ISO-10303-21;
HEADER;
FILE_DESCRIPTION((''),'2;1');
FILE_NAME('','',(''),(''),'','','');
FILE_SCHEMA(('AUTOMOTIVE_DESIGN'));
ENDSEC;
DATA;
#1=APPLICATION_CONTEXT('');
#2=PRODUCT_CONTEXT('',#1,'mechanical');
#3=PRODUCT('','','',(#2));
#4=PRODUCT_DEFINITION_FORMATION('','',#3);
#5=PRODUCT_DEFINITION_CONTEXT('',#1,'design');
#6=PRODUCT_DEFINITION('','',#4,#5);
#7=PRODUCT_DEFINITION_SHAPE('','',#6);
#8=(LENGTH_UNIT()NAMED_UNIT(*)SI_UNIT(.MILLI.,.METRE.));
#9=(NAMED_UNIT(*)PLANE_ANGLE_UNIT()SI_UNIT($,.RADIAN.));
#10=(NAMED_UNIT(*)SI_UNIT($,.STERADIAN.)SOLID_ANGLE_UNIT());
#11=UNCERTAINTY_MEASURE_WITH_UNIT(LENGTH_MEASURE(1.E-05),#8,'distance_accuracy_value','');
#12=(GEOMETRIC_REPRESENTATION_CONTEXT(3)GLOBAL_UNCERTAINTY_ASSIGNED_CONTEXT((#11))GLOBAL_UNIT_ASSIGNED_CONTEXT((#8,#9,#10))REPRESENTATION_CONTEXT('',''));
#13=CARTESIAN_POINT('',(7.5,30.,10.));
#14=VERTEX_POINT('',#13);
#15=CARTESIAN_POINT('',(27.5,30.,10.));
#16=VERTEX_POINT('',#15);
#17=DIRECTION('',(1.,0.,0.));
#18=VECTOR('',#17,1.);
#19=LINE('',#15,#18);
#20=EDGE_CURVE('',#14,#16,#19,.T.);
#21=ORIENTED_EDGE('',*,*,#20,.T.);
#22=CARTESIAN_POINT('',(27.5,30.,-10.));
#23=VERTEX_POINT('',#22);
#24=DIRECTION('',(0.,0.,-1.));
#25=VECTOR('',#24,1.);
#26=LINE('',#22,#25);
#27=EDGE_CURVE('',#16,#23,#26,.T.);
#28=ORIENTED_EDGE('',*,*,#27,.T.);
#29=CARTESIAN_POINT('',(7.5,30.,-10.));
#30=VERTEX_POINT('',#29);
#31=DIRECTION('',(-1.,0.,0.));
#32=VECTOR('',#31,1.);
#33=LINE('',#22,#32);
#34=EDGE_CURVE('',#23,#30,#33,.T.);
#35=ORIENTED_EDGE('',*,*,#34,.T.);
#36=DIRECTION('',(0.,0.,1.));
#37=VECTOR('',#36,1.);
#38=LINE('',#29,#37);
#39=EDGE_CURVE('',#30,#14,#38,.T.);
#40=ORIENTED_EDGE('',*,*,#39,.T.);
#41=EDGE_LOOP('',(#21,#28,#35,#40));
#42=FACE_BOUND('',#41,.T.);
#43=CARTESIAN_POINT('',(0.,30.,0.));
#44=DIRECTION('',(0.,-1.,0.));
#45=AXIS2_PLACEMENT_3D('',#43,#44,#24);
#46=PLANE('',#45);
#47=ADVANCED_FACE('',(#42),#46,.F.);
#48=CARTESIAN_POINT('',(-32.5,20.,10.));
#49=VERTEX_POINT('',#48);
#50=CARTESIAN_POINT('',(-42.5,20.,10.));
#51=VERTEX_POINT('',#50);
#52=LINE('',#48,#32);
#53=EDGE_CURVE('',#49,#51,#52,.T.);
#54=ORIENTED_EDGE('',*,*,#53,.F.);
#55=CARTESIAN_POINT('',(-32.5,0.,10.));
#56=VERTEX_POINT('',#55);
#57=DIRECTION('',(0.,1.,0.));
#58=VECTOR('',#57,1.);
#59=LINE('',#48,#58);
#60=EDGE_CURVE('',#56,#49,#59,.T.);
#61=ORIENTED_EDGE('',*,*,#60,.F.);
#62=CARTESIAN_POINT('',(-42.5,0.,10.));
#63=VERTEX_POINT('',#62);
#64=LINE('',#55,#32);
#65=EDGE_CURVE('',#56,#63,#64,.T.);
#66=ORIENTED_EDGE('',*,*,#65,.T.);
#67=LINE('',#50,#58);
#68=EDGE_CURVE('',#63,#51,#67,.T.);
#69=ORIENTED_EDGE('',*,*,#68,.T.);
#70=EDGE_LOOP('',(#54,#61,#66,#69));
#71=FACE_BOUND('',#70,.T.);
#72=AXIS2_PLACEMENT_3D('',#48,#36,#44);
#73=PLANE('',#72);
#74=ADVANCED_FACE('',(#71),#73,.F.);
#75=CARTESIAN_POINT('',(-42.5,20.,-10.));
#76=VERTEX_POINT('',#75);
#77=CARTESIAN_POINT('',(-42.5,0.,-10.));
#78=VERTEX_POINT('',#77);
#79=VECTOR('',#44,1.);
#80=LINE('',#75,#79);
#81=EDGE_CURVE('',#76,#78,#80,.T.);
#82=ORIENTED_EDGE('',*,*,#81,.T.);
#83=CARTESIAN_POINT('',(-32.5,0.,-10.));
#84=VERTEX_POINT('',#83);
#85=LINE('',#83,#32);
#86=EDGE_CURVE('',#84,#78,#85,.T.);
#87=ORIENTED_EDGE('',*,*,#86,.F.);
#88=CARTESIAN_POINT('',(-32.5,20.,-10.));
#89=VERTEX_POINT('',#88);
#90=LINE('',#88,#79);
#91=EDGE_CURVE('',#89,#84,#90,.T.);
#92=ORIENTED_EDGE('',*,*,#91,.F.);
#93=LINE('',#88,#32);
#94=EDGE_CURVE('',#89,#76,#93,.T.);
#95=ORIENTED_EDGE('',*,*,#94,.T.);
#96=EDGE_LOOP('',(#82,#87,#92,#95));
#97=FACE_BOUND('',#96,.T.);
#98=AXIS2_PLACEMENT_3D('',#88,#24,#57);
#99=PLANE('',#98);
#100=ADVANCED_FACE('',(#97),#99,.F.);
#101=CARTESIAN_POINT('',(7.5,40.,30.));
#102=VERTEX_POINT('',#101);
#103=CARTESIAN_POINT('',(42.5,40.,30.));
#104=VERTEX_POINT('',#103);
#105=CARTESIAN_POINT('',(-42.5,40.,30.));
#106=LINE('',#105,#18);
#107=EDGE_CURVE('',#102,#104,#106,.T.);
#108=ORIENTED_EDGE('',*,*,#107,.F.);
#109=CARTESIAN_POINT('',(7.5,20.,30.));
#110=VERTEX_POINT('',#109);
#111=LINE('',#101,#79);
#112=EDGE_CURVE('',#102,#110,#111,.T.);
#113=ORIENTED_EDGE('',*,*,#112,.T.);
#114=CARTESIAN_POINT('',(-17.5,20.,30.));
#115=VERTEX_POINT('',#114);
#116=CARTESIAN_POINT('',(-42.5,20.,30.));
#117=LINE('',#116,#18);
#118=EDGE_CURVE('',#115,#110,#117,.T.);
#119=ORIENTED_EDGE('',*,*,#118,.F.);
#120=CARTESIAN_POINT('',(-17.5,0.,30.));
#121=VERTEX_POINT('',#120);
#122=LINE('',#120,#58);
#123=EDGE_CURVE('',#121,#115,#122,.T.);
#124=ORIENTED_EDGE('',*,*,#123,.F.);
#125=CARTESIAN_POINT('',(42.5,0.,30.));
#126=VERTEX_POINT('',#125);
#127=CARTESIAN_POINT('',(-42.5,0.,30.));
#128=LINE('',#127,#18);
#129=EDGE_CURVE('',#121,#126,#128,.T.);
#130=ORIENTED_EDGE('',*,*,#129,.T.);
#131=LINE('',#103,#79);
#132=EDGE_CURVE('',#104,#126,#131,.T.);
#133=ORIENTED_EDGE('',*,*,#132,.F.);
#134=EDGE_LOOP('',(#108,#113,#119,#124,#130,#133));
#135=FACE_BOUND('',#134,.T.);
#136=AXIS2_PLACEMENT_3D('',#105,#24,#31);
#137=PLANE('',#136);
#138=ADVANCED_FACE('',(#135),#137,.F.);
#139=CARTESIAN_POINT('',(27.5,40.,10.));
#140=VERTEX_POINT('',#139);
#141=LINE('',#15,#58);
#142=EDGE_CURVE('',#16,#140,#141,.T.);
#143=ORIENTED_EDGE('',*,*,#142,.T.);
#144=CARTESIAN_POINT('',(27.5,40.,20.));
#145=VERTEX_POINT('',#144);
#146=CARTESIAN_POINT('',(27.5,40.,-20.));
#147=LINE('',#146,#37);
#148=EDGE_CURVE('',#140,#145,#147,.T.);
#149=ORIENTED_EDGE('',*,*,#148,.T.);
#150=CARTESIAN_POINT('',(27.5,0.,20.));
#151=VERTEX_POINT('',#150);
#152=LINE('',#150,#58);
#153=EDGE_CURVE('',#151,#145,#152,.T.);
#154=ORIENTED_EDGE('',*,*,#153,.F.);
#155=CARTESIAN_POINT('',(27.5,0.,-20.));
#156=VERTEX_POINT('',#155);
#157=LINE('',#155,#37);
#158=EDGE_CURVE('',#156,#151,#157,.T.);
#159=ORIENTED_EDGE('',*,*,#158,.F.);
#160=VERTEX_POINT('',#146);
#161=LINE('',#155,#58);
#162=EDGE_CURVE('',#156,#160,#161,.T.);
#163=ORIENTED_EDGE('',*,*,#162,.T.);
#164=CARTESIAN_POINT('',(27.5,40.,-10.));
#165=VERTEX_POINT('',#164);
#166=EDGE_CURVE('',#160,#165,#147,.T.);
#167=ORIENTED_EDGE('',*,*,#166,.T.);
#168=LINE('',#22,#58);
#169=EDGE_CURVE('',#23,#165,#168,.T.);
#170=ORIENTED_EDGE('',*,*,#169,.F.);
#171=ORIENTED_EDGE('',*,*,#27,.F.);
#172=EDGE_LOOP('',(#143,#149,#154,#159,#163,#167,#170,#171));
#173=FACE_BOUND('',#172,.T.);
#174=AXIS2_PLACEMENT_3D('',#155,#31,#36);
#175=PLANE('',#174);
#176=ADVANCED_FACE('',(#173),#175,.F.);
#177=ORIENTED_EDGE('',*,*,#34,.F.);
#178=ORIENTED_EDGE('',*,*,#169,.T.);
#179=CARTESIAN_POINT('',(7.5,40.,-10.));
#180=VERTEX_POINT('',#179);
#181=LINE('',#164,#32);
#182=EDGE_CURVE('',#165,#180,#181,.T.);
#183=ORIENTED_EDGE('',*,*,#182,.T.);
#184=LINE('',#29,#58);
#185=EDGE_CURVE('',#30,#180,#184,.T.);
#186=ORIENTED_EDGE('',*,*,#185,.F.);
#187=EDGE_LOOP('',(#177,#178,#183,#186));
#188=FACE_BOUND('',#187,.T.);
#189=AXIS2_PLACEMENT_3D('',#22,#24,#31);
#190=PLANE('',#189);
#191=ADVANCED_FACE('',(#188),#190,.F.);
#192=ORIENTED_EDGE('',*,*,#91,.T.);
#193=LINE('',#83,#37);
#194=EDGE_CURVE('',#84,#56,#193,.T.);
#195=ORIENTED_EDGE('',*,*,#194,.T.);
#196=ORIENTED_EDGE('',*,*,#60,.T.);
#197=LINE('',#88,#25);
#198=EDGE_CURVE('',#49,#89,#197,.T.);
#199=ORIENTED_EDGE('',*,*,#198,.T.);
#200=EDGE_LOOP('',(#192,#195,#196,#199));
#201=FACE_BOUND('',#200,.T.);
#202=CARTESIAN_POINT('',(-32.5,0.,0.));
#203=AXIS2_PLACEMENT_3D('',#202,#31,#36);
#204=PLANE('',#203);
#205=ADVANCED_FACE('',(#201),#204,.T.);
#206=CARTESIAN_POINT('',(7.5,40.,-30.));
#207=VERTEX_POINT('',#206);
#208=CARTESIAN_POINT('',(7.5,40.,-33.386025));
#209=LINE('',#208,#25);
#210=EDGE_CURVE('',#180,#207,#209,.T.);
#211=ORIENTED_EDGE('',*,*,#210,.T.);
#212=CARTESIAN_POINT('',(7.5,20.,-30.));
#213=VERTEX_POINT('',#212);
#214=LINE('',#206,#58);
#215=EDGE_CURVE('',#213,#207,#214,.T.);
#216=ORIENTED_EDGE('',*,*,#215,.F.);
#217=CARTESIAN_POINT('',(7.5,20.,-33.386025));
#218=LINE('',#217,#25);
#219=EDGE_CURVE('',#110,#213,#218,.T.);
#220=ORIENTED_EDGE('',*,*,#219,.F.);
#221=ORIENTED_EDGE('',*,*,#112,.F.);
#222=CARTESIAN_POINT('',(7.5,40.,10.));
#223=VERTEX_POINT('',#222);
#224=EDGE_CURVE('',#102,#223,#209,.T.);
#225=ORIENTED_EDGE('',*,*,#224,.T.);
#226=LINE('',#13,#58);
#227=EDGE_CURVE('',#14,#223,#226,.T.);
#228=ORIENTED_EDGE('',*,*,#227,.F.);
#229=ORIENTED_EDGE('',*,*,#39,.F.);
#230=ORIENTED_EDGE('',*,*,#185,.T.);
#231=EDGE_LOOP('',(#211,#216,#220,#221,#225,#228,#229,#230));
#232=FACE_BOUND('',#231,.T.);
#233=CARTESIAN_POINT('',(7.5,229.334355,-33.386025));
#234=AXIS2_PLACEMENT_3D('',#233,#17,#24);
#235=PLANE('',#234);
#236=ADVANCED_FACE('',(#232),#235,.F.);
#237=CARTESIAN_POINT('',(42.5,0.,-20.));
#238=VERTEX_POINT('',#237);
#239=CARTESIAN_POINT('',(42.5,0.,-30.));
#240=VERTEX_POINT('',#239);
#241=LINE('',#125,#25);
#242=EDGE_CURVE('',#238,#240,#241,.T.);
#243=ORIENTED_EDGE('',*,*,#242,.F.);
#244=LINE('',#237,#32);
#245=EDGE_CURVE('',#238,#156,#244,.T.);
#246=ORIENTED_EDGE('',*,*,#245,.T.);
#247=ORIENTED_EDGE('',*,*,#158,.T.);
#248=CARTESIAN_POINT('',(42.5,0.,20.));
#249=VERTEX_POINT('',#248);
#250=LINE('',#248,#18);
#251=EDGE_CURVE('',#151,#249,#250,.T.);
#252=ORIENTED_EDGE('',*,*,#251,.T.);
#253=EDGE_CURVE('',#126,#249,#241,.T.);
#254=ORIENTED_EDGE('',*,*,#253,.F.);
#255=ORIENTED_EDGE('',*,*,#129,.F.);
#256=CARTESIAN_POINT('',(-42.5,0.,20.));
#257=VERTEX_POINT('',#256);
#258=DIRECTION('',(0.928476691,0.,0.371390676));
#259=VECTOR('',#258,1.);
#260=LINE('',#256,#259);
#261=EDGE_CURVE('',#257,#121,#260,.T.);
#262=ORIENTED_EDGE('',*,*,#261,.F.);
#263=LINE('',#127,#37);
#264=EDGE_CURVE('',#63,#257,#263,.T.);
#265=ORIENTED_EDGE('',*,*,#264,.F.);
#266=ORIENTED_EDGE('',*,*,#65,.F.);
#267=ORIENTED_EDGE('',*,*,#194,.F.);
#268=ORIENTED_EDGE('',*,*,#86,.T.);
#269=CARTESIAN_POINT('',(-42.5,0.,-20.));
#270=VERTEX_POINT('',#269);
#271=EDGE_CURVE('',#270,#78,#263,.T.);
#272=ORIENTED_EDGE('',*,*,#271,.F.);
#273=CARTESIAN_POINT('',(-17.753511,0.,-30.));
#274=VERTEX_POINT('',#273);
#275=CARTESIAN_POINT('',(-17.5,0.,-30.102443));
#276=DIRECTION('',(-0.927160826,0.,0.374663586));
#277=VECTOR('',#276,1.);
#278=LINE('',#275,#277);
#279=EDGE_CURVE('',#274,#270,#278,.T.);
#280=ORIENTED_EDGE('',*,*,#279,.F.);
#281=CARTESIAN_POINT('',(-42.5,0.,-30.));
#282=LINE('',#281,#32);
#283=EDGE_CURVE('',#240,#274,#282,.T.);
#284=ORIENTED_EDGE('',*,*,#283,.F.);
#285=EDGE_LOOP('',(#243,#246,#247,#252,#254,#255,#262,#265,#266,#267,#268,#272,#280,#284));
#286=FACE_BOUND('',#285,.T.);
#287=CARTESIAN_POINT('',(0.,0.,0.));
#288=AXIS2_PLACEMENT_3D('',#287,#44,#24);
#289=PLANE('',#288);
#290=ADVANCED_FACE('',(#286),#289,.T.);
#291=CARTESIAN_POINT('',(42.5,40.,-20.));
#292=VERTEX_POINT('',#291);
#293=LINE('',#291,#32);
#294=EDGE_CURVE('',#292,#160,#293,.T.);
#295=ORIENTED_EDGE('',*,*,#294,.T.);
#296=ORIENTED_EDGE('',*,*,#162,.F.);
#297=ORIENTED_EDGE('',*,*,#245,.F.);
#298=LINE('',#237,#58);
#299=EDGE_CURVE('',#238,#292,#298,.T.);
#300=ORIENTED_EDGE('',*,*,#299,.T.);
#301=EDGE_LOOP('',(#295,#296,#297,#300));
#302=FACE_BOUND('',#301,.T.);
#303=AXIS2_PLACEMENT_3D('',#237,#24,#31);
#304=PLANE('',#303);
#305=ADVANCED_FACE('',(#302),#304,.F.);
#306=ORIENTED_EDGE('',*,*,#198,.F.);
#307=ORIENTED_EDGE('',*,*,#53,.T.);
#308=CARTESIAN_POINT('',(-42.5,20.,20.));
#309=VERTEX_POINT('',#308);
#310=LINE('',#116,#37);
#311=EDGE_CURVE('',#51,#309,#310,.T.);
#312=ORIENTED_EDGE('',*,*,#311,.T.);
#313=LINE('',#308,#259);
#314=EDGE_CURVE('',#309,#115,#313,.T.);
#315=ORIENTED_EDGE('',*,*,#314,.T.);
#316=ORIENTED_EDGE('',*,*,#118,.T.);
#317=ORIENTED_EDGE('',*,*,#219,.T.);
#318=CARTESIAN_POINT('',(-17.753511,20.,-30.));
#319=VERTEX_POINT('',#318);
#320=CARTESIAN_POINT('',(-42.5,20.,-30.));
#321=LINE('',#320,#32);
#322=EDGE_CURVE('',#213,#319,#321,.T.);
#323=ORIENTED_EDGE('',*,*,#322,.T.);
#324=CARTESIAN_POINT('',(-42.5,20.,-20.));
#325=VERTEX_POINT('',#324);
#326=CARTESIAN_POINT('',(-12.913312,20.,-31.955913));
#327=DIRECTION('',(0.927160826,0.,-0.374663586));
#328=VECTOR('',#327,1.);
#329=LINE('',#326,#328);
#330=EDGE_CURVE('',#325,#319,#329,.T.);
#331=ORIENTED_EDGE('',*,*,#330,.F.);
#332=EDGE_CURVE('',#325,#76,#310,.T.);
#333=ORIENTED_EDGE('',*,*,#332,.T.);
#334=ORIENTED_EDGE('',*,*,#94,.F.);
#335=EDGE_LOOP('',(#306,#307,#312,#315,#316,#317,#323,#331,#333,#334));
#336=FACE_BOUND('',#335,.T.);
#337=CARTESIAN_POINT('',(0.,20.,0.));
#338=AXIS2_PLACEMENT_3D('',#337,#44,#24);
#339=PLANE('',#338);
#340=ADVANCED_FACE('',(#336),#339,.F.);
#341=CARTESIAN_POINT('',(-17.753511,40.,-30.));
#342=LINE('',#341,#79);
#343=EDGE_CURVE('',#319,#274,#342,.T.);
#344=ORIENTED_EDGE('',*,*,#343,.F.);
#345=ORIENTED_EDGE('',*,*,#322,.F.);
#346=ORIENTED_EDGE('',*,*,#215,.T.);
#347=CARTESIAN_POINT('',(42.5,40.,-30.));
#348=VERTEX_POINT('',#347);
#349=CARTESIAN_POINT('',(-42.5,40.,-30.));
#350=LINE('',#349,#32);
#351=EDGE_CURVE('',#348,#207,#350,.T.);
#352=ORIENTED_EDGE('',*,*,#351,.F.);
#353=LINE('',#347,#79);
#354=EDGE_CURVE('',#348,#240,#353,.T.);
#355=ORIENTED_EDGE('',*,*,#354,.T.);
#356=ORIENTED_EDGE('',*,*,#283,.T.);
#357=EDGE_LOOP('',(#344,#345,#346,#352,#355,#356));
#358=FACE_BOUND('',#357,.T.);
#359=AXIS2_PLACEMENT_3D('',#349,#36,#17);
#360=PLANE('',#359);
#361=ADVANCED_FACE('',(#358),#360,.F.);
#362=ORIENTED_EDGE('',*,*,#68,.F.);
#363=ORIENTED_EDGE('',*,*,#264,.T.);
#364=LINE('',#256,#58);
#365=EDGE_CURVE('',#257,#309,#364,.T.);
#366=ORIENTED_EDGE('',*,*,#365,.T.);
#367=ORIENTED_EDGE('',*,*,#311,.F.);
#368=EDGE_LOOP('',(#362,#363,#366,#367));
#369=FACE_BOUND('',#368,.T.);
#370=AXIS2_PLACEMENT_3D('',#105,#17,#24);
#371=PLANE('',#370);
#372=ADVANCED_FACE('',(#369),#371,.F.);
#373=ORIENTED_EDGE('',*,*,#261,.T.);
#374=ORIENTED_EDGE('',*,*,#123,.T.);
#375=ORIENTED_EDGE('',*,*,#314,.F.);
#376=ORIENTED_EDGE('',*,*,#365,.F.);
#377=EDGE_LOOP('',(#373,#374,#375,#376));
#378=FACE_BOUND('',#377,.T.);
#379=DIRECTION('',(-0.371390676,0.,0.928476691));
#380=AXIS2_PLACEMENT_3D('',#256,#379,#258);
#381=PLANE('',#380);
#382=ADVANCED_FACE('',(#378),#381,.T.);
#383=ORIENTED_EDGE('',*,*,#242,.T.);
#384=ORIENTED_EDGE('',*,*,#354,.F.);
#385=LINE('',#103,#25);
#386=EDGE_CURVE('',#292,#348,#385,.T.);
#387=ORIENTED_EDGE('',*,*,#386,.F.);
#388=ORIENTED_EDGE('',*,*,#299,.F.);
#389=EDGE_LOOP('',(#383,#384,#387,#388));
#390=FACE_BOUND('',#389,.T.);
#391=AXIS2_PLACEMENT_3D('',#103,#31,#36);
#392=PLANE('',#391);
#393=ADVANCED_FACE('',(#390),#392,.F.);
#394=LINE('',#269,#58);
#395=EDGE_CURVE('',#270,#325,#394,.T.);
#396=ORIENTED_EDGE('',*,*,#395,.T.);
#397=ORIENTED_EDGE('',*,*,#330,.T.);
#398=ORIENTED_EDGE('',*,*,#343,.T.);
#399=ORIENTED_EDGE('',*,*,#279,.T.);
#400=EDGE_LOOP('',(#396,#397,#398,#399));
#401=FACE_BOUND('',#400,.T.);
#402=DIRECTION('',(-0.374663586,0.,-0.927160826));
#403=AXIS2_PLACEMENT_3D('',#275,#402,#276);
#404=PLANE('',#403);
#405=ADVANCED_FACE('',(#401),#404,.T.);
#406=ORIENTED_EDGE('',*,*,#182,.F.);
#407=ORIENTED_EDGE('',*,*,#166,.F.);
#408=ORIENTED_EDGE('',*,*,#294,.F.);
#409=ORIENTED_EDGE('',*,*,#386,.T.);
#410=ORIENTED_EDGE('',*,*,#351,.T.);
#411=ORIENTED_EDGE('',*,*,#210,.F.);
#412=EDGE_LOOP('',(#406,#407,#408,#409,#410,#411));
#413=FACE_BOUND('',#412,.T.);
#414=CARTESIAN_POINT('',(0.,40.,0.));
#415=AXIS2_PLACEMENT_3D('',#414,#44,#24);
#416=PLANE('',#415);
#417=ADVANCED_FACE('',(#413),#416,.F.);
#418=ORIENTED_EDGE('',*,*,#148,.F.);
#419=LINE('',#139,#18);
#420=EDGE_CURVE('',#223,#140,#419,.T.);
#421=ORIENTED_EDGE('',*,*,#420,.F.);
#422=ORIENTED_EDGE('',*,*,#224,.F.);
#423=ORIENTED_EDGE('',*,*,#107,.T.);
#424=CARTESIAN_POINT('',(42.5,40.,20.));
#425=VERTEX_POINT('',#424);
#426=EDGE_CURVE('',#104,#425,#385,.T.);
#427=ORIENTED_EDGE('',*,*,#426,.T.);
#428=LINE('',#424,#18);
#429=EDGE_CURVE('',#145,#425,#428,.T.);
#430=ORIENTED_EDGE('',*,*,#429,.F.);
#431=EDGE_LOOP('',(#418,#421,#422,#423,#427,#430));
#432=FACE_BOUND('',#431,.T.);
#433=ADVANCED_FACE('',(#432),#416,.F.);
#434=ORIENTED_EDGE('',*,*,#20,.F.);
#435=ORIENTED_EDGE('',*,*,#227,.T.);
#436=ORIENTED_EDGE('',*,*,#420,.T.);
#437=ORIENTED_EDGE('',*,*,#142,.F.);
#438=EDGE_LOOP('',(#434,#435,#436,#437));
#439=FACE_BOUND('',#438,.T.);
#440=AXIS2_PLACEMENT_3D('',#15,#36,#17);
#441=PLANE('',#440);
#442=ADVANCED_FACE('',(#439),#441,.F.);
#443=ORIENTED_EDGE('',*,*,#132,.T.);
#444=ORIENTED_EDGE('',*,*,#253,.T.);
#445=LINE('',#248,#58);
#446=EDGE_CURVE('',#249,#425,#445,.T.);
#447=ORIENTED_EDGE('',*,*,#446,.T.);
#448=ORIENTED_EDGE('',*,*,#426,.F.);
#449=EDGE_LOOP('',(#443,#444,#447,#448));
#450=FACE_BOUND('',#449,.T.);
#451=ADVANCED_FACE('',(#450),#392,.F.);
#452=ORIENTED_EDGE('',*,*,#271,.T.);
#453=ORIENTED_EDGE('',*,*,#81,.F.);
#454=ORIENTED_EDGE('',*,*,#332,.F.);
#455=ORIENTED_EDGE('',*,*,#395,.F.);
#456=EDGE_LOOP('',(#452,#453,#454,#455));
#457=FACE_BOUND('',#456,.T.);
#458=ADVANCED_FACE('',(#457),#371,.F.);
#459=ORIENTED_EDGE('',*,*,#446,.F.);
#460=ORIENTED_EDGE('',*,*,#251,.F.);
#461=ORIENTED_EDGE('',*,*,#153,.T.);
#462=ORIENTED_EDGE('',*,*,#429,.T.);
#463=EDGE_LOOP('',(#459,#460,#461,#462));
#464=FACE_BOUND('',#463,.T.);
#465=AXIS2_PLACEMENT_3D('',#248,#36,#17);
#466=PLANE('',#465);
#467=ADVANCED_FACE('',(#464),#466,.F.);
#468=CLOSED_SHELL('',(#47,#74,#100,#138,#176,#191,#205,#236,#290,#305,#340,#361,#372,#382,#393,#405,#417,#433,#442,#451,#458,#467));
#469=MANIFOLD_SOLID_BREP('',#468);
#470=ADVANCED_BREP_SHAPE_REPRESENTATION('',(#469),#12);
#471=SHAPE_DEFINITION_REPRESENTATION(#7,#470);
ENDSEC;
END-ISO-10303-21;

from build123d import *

# Parameters (mm, degrees)
SKETCH1_W               = 85
SKETCH1_H               = 60
BOSS_EXTRUDE1_DEPTH     = 40
SKETCH2_W               = 15
SKETCH2_H               = 40
CUT_EXTRUDE1_DEPTH      = 66.622023742
SKETCH3_W               = 20
SKETCH3_H               = 20
CUT_EXTRUDE2_DEPTH      = 10
CUT_EXTRUDE9_DEPTH      = 66.622023742
CUT_EXTRUDE9_DEPTH_BACK = 20
SKETCH6_W               = 20
SKETCH6_H               = 20
CUT_EXTRUDE10_DEPTH     = 10
CUT_EXTRUDE_THIN5_DEPTH = 56.733742024


with BuildPart() as part:
    # Sketch1 → Boss-Extrude1 (new body)
    with BuildSketch(Plane(origin=(0, 0, 0), x_dir=(1, 0, 0), z_dir=(0, 1, 0))):
        Rectangle(SKETCH1_W, SKETCH1_H)
    extrude(amount=BOSS_EXTRUDE1_DEPTH)

    # Sketch2 → Cut-Extrude1 (cut, through all)
    with BuildSketch(Plane(origin=(0, 40, 0), x_dir=(1, 0, 0), z_dir=(0, 1, 0))):
        with Locations((35, 0)):
            Rectangle(SKETCH2_W, SKETCH2_H)
    extrude(amount=-CUT_EXTRUDE1_DEPTH, mode=Mode.SUBTRACT)

    # Sketch3 → Cut-Extrude2 (cut)
    with BuildSketch(Plane(origin=(0, 40, 0), x_dir=(1, 0, 0), z_dir=(0, 1, 0))):
        with Locations((17.5, 0)):
            Rectangle(SKETCH3_W, SKETCH3_H)
    extrude(amount=-CUT_EXTRUDE2_DEPTH, mode=Mode.SUBTRACT)

    # Sketch4 → Cut-Extrude9 (cut, two sides: drawn at the far end of the back side and taken through both)
    with BuildSketch(Plane(origin=(0, 40, 0), x_dir=(1, 0, 0), z_dir=(0, 1, 0)).offset(-CUT_EXTRUDE9_DEPTH_BACK)):
        Polygon((7.5, 208.497084776), (7.5, 33.386024926), (7.5, -35.691822331), (7.5, -210.802882181), (-342.7221197, -210.802882181), (-342.7221197, 208.497084776), align=None)
    extrude(amount=CUT_EXTRUDE9_DEPTH + CUT_EXTRUDE9_DEPTH_BACK, mode=Mode.SUBTRACT)

    # Sketch6 → Cut-Extrude10 (cut)
    with BuildSketch(Plane.ZY.offset(42.5)):
        with Locations((0, 10)):
            Rectangle(SKETCH6_W, SKETCH6_H)
    extrude(amount=-CUT_EXTRUDE10_DEPTH, mode=Mode.SUBTRACT)

    # Sketch9 → Cut-Extrude-Thin5 (cut, through all)
    with BuildSketch(Plane(origin=(0, 20, 0), x_dir=(1, 0, 0), z_dir=(0, 1, 0))):
        Polygon((-17.5, 30.102443268), (-42.5, 20), (-46.246635858, 29.271608261), (-21.246635858, 39.374051529), align=None)
        Polygon((-42.5, -20), (-17.5, -30), (-21.213906764, -39.284766909), (-46.213906764, -29.284766909), align=None)
    extrude(amount=-CUT_EXTRUDE_THIN5_DEPTH, mode=Mode.SUBTRACT)


solid = part.part
